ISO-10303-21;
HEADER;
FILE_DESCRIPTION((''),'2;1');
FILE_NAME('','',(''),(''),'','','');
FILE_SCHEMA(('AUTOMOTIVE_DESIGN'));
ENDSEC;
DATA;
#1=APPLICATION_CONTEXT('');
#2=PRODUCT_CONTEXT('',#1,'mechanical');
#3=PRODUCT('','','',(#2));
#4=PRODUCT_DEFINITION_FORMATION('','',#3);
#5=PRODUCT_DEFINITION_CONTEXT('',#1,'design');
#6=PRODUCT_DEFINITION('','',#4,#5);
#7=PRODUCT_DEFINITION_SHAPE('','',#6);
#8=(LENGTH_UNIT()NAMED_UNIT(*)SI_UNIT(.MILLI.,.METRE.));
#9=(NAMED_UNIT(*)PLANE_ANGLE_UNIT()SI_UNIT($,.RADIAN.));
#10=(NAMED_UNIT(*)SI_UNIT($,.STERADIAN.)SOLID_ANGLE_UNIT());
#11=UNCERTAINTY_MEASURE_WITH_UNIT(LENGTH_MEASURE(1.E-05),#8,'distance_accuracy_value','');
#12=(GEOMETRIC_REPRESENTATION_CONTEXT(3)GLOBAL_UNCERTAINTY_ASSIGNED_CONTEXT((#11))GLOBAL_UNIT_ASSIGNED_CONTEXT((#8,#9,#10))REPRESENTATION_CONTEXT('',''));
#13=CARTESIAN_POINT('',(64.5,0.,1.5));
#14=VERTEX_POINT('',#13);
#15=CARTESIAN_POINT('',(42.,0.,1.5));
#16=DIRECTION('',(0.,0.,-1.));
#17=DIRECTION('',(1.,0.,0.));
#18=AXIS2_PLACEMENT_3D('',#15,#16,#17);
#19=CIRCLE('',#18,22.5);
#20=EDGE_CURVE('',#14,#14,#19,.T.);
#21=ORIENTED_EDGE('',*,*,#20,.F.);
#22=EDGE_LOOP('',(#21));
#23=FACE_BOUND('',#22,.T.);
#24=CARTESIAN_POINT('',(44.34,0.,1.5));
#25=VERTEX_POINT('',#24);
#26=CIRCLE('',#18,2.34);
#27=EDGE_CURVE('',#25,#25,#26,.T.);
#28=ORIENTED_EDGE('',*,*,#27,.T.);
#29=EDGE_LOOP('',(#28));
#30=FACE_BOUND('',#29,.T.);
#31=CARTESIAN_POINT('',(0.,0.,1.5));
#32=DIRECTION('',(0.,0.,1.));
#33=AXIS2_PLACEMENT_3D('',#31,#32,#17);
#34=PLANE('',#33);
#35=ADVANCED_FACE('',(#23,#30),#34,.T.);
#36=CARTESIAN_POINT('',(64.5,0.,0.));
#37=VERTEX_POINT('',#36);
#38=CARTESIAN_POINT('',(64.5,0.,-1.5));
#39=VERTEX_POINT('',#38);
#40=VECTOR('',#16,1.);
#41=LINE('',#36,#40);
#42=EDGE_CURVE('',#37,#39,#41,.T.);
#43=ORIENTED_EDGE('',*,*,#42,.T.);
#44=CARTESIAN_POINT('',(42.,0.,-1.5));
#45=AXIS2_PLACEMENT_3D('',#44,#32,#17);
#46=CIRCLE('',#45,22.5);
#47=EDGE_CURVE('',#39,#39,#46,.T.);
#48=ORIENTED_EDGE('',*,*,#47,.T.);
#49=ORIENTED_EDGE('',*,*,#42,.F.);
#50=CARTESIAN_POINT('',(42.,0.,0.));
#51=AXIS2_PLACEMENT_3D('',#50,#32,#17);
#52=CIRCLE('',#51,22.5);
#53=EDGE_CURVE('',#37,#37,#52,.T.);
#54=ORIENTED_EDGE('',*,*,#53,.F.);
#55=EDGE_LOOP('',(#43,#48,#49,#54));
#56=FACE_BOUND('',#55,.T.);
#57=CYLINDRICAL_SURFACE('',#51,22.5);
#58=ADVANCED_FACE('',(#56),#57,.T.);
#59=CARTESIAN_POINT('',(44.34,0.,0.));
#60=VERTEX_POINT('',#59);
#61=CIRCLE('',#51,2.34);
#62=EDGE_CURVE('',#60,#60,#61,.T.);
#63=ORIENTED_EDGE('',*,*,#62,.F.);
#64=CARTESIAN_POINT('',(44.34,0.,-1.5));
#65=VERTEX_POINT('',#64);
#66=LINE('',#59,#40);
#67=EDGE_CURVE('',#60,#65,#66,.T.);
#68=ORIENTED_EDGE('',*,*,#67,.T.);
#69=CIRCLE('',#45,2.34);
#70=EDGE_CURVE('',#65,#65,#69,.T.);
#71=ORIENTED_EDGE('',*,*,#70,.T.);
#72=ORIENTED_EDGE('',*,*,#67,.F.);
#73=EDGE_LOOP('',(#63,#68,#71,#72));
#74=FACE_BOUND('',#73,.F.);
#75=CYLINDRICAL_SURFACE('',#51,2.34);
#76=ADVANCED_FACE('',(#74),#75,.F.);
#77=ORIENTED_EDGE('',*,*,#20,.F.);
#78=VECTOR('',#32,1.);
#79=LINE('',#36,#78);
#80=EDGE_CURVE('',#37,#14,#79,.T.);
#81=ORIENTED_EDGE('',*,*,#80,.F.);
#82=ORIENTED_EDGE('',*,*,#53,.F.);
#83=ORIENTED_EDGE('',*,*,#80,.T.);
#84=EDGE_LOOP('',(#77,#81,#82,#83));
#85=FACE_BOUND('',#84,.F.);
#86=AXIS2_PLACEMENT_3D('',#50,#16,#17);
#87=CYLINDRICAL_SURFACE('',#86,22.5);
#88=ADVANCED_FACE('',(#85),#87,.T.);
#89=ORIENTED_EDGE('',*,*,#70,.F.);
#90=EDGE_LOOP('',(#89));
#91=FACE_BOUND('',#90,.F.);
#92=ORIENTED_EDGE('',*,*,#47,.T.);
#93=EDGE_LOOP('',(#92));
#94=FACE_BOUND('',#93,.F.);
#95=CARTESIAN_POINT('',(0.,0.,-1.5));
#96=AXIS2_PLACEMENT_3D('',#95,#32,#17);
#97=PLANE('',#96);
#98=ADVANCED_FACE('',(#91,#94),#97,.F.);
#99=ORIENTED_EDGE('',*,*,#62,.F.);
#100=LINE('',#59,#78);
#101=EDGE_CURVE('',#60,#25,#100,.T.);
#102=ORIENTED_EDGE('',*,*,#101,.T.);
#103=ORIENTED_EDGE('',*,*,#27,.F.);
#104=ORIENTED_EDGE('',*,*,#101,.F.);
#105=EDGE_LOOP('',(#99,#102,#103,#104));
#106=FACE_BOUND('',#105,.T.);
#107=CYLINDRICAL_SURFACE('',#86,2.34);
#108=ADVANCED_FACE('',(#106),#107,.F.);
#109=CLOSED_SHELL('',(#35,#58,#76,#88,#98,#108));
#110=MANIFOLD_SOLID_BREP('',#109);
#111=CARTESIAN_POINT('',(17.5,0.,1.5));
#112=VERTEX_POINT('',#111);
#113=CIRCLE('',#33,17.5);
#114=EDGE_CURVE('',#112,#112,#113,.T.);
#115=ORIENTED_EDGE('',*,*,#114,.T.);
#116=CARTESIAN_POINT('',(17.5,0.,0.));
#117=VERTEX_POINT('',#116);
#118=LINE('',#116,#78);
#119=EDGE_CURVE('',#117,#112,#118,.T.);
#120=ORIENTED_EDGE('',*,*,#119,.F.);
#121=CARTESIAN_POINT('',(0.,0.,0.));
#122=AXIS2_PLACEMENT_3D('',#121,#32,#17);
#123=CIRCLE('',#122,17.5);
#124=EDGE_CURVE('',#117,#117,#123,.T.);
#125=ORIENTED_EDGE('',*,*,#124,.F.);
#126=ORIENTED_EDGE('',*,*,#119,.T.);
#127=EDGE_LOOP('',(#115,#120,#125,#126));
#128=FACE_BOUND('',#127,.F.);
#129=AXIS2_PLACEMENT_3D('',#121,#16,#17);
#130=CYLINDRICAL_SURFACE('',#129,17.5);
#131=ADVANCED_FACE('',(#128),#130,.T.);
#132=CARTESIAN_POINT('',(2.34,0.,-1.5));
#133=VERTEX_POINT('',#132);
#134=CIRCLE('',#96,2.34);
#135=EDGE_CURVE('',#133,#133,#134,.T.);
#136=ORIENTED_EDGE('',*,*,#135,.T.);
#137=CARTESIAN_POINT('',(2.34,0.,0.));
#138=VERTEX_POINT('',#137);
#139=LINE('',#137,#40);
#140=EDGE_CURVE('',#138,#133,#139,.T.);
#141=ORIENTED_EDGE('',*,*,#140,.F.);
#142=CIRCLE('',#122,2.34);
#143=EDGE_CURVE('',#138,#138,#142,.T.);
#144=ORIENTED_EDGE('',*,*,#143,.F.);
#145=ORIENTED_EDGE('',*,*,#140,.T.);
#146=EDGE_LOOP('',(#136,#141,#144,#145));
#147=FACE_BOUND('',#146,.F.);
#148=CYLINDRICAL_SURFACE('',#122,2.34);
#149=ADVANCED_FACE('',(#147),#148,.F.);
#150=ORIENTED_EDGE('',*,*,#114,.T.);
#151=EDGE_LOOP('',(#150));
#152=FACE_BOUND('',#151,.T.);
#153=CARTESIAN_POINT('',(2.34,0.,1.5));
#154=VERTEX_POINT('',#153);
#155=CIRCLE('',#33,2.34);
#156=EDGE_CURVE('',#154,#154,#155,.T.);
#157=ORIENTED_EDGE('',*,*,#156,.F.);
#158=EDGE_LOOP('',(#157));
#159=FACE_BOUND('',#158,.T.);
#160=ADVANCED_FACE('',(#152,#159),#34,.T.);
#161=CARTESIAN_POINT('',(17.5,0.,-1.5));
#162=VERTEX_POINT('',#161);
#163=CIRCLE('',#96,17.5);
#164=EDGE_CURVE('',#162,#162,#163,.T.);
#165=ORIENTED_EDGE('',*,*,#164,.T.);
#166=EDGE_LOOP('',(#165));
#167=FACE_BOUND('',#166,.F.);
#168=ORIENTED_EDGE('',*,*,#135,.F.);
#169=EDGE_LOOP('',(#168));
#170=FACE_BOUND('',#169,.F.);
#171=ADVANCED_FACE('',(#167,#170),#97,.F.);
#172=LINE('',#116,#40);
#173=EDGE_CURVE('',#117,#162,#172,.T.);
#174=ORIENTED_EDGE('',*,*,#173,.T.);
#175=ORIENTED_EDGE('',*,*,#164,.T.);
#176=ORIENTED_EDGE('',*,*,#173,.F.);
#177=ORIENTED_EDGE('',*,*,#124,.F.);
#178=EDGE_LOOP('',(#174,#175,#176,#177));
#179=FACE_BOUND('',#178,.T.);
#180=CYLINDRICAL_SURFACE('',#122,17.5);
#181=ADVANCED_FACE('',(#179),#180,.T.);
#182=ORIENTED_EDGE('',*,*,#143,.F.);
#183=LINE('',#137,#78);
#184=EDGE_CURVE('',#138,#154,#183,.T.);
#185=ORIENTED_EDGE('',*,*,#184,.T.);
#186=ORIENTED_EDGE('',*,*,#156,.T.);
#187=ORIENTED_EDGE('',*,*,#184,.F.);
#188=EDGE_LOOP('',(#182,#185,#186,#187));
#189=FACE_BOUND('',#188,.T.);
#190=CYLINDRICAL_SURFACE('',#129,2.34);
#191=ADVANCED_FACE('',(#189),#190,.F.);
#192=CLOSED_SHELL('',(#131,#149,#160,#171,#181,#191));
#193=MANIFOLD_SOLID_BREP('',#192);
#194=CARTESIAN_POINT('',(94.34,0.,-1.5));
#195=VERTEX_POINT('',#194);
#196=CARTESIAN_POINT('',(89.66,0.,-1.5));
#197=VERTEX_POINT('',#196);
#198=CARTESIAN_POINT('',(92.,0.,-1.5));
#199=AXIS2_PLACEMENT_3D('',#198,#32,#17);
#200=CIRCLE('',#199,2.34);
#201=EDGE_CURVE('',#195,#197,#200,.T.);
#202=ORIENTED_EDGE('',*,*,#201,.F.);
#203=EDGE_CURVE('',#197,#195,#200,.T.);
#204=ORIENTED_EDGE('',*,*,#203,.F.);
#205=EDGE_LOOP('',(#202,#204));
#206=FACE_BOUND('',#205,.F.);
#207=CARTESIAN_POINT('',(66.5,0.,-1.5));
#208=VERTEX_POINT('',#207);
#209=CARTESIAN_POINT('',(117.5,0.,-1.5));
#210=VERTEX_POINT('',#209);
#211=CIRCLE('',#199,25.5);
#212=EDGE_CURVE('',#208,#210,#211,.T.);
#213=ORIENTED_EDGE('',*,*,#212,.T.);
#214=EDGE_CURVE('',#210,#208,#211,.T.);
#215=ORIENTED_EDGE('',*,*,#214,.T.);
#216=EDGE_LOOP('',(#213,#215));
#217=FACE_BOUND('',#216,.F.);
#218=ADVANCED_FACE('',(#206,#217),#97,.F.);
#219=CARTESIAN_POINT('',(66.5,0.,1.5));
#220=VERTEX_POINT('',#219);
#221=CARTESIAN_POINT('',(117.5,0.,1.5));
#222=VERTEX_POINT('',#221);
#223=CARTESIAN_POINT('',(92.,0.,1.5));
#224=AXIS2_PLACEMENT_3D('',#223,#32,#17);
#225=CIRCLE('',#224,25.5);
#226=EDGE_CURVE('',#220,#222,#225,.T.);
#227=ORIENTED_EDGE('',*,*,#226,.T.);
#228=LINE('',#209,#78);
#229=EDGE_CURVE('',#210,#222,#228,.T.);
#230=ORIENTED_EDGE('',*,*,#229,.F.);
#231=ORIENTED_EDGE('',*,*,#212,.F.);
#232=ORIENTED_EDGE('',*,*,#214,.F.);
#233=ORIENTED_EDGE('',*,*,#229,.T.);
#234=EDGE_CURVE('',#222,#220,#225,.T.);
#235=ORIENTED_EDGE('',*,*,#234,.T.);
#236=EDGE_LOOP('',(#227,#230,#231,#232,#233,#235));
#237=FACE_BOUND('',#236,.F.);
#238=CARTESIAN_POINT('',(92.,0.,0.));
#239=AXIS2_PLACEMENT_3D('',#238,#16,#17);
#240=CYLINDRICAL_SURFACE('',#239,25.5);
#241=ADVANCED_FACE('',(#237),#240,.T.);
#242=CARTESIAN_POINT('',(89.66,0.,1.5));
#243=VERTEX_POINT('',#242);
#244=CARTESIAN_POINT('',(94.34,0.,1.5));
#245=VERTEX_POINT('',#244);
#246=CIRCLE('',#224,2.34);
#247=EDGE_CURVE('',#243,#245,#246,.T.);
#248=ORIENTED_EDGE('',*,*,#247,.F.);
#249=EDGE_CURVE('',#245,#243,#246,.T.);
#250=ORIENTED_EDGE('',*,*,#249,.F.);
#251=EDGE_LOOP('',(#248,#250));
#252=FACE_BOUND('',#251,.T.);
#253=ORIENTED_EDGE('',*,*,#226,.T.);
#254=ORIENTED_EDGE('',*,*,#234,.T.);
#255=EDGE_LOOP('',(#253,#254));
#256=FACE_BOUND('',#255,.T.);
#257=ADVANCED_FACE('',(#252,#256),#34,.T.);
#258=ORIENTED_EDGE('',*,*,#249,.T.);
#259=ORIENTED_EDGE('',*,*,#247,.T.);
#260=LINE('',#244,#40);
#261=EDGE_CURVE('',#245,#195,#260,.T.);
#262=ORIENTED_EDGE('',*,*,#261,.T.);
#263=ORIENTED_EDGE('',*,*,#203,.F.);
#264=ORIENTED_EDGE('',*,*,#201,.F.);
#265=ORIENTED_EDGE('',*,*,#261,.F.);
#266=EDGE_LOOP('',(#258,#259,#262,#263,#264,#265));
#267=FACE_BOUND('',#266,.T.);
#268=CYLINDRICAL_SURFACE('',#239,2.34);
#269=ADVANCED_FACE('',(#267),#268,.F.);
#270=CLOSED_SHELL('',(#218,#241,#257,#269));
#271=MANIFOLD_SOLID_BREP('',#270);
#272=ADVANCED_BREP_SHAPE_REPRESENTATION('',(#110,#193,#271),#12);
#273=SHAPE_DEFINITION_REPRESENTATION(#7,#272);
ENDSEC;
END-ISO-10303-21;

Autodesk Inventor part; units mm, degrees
ref_plane "YZ Plane" through (0, 0, 0) normal (1, 0, 0) x (0, 1, 0)
ref_plane "XZ Plane" through (0, 0, 0) normal (0, 1, 0) x (-1, 0, 0)
ref_plane "XY Plane" through (0, 0, 0) normal (0, 0, 1) x (1, 0, 0)
sketch "草圖1" plane through (0, 0, 0) normal (0, 0, 1) x (1, 0, 0)
  circle A0 centre (0, 0) radius 17.5
  circle A1 centre (42, 0) radius 22.5
  circle A2 centre (92, 0) radius 25.5
  circle A3 centre (0, 0) radius 2.34
  circle A4 centre (42, 0) radius 2.34
  circle A5 centre (92, 0) radius 2.34
  line L0 (0, 0) -> (92, 0)
  dimension "d0" = 35
  dimension "d1" = 45
  dimension "d2" = 51
  dimension "d3" = 4.68
  dimension "d4" = 42
  dimension "d5" = 50
extrude "擠出1" add sketch "草圖1" along normal mid plane 3 contours A0
extrude "擠出2" add sketch "草圖1" along normal mid plane 3 separate body contours A1 L0 A4 | L0 A4 A1
extrude "擠出3" add sketch "草圖1" along normal mid plane 3 separate body contours A2
properties part number "wheels" material "木材 (楓木)"
